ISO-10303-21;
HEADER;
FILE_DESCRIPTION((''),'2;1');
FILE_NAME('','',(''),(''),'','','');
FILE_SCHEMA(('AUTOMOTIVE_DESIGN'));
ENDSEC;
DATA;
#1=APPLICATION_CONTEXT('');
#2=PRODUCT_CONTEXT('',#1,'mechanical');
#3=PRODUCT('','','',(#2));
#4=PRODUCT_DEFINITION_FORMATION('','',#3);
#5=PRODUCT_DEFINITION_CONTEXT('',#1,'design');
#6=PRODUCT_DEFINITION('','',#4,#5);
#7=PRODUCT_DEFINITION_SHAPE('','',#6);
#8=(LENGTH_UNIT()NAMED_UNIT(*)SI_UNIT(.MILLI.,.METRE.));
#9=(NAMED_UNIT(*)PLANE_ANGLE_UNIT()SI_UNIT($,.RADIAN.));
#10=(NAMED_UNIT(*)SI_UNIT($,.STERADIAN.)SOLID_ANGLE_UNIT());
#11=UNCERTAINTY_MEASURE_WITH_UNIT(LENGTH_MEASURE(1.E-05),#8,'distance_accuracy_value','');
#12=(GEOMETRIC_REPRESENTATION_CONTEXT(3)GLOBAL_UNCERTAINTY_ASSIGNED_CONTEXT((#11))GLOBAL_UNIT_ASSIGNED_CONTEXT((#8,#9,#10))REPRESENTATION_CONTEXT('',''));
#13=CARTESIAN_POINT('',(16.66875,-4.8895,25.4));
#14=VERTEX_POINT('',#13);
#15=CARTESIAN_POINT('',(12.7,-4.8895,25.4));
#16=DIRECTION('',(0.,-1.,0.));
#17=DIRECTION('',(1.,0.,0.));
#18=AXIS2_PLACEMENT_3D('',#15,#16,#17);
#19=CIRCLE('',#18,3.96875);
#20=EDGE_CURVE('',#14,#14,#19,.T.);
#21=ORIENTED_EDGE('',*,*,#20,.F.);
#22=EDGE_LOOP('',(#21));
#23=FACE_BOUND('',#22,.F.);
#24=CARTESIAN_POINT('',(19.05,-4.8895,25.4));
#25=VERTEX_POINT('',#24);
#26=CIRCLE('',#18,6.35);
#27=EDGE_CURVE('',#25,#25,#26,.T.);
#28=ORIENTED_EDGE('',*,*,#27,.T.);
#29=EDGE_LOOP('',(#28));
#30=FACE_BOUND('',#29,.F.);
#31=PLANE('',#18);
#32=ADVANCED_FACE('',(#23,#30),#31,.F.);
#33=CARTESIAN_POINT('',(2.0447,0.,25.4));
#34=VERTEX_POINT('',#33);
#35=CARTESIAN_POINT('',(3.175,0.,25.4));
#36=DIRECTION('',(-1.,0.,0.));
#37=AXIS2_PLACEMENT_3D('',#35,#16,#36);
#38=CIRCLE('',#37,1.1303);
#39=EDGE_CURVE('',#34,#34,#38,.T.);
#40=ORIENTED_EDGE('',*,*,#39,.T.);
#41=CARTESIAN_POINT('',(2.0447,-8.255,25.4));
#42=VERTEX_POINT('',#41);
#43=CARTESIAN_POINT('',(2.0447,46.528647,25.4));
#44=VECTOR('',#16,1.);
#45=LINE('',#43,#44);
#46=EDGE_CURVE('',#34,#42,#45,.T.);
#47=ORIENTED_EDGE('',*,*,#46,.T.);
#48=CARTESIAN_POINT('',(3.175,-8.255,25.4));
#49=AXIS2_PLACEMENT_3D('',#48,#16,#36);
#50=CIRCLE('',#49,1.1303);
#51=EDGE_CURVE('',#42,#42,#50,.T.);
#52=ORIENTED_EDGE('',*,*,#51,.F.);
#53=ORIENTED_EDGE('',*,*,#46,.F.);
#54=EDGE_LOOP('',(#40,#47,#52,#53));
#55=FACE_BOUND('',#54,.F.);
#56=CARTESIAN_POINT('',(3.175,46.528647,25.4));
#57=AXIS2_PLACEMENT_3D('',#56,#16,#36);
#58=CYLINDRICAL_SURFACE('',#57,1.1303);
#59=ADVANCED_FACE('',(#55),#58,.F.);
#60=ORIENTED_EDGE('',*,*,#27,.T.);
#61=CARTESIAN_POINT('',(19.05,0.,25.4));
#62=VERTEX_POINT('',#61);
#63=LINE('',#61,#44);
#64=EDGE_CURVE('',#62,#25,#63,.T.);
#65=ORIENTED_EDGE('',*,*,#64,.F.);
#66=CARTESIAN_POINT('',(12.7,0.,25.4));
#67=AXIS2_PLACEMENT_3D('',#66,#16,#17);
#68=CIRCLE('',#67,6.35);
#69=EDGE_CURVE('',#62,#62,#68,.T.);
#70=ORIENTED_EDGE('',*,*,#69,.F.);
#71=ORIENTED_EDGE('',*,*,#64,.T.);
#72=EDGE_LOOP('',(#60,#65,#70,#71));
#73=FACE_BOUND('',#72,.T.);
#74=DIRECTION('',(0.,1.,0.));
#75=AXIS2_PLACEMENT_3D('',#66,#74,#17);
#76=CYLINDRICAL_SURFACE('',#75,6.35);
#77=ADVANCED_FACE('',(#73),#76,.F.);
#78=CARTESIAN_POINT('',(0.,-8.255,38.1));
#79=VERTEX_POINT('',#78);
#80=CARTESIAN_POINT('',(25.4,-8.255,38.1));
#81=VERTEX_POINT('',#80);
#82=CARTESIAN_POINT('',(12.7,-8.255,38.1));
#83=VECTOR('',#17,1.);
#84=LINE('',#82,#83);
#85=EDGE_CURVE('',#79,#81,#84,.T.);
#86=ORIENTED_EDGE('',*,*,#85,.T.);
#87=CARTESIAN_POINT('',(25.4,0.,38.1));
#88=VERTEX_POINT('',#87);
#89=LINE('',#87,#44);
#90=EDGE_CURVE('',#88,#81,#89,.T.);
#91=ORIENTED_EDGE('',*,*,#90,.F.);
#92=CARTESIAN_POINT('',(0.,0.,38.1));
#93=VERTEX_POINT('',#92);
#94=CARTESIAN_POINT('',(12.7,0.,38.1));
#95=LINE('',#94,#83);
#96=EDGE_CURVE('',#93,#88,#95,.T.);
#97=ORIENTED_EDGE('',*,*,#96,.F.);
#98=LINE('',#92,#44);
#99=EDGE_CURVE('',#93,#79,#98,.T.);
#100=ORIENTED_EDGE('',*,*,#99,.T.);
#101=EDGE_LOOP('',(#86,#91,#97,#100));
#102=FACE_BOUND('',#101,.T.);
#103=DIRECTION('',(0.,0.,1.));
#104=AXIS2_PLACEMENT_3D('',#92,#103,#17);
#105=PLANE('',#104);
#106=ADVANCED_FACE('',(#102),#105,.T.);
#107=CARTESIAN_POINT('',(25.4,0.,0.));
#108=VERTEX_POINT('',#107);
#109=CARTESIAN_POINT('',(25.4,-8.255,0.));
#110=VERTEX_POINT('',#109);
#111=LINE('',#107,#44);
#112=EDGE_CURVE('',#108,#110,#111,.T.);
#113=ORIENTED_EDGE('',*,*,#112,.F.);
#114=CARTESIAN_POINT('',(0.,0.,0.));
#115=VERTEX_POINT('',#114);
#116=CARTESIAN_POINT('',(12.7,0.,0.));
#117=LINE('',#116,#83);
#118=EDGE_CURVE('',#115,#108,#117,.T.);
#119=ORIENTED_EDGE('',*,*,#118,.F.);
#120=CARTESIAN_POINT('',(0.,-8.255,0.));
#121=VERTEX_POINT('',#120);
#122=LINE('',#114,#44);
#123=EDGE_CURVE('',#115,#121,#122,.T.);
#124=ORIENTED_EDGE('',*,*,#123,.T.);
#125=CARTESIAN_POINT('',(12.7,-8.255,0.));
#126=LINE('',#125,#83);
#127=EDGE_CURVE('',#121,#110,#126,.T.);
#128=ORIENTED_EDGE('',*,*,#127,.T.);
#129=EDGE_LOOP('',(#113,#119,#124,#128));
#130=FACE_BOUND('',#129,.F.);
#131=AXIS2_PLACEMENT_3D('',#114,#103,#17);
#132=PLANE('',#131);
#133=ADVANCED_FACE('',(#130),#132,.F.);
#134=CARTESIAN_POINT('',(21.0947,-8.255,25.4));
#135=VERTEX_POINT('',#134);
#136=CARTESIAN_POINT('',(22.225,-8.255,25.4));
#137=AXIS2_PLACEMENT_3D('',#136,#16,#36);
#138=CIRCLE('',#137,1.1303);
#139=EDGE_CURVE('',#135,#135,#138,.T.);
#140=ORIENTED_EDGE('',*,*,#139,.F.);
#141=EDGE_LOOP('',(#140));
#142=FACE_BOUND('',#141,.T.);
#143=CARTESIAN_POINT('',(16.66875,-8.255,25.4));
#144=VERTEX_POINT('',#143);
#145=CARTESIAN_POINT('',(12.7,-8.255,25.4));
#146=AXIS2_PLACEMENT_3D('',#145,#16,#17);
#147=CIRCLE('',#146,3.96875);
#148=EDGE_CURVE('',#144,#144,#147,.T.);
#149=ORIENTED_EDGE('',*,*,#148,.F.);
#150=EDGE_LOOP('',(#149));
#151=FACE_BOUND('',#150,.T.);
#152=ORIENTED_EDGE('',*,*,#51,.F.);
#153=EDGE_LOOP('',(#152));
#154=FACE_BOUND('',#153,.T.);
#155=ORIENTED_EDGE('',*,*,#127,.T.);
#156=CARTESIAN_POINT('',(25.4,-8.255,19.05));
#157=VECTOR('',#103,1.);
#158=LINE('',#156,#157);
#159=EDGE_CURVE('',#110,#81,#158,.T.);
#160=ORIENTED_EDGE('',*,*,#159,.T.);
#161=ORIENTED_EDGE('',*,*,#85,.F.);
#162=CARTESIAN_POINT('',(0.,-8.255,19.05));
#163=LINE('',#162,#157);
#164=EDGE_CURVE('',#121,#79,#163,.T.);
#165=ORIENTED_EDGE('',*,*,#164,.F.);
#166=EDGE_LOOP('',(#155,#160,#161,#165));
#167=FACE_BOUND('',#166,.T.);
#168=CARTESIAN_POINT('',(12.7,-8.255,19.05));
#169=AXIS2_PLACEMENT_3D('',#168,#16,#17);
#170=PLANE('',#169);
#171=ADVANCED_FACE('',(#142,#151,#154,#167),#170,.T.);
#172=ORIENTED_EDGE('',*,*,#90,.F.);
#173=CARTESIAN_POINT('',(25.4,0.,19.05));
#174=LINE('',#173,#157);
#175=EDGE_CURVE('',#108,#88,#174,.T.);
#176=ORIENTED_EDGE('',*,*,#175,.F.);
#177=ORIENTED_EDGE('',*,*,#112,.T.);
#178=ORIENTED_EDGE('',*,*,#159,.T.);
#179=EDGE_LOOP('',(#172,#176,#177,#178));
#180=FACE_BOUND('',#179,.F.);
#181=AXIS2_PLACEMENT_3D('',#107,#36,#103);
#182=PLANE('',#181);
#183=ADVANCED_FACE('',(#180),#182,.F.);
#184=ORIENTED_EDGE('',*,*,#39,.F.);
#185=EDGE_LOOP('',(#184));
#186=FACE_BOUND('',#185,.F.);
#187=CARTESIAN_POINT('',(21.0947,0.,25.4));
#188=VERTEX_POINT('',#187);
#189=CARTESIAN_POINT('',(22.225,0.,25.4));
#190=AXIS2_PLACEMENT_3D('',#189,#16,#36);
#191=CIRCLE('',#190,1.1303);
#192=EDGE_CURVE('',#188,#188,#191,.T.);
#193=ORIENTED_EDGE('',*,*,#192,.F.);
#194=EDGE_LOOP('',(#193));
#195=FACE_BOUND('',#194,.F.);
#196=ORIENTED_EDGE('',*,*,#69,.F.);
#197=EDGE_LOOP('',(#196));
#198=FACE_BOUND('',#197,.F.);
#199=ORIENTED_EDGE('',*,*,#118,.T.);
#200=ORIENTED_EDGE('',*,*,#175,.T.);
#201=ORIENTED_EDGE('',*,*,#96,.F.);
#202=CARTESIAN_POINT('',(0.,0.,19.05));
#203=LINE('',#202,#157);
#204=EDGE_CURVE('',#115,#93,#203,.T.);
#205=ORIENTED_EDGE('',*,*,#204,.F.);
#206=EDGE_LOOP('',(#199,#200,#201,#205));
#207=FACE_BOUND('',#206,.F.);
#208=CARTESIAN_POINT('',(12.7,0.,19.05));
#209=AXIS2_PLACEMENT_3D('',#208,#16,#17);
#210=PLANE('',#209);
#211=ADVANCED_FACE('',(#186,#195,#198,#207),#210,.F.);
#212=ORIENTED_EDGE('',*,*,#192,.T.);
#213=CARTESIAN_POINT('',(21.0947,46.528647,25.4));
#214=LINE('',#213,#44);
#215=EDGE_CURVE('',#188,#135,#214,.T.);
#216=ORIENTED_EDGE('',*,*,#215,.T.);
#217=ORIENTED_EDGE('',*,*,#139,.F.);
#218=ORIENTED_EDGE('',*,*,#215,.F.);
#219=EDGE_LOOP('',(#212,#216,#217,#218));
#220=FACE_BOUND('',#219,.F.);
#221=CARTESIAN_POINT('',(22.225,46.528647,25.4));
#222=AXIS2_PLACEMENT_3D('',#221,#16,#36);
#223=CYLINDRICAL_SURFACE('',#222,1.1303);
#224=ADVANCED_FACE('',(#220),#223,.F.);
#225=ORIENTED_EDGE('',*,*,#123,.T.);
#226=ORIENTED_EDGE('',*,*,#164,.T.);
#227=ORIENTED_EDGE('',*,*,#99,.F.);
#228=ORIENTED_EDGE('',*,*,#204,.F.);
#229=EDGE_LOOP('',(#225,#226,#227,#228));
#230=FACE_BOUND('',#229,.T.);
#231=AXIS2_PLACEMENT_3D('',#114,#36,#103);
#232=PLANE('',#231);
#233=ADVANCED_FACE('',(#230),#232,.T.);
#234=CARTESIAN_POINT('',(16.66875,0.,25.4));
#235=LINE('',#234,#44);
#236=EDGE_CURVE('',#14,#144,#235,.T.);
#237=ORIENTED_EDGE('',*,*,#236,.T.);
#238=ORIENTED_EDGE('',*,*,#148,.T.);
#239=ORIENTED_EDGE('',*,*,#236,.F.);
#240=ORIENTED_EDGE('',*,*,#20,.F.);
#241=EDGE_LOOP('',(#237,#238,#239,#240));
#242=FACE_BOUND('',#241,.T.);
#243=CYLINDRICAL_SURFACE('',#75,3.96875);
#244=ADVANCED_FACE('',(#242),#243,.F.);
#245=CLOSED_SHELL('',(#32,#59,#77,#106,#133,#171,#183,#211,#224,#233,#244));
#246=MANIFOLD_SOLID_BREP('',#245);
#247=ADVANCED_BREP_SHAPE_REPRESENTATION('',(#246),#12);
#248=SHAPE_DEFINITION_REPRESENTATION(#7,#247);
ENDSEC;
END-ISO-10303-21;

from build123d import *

# Parameters (mm, degrees)
F0_W     = 25.4
F0_H     = 38.1
F0_R     = 6.35
F0_R_2   = 3.96875
F1_DEPTH = 8.255
F2_DEPTH = 4.8895
F3_D     = 2.2606


with BuildPart() as f1:
    # F0 (on Front) → F1 (new body)
    with BuildSketch(Plane.XZ):
        with Locations((12.7, 19.05)):
            Rectangle(F0_W, F0_H)
        with Locations((12.7, 25.4)):
            Circle(F0_R, mode=Mode.SUBTRACT)
        with Locations((12.7, 25.4)):
            Circle(F0_R)
        with Locations((12.7, 25.4)):
            Circle(F0_R_2, mode=Mode.SUBTRACT)
    extrude(amount=F1_DEPTH)

    # F0 (on Front) → F2 (cut)
    with BuildSketch(Plane.XZ):
        with Locations((12.7, 25.4)):
            Circle(F0_R)
        with Locations((12.7, 25.4)):
            Circle(F0_R_2, mode=Mode.SUBTRACT)
    extrude(amount=F2_DEPTH, mode=Mode.SUBTRACT)

    # F3 (through all)
    with Locations(Plane(origin=(0, 0, 0), x_dir=(1, 0, 0), z_dir=(0, 1, 0))):
        with Locations((22.225, -25.4), (3.175, -25.4)):
            Hole(F3_D / 2)


solid = f1.part
